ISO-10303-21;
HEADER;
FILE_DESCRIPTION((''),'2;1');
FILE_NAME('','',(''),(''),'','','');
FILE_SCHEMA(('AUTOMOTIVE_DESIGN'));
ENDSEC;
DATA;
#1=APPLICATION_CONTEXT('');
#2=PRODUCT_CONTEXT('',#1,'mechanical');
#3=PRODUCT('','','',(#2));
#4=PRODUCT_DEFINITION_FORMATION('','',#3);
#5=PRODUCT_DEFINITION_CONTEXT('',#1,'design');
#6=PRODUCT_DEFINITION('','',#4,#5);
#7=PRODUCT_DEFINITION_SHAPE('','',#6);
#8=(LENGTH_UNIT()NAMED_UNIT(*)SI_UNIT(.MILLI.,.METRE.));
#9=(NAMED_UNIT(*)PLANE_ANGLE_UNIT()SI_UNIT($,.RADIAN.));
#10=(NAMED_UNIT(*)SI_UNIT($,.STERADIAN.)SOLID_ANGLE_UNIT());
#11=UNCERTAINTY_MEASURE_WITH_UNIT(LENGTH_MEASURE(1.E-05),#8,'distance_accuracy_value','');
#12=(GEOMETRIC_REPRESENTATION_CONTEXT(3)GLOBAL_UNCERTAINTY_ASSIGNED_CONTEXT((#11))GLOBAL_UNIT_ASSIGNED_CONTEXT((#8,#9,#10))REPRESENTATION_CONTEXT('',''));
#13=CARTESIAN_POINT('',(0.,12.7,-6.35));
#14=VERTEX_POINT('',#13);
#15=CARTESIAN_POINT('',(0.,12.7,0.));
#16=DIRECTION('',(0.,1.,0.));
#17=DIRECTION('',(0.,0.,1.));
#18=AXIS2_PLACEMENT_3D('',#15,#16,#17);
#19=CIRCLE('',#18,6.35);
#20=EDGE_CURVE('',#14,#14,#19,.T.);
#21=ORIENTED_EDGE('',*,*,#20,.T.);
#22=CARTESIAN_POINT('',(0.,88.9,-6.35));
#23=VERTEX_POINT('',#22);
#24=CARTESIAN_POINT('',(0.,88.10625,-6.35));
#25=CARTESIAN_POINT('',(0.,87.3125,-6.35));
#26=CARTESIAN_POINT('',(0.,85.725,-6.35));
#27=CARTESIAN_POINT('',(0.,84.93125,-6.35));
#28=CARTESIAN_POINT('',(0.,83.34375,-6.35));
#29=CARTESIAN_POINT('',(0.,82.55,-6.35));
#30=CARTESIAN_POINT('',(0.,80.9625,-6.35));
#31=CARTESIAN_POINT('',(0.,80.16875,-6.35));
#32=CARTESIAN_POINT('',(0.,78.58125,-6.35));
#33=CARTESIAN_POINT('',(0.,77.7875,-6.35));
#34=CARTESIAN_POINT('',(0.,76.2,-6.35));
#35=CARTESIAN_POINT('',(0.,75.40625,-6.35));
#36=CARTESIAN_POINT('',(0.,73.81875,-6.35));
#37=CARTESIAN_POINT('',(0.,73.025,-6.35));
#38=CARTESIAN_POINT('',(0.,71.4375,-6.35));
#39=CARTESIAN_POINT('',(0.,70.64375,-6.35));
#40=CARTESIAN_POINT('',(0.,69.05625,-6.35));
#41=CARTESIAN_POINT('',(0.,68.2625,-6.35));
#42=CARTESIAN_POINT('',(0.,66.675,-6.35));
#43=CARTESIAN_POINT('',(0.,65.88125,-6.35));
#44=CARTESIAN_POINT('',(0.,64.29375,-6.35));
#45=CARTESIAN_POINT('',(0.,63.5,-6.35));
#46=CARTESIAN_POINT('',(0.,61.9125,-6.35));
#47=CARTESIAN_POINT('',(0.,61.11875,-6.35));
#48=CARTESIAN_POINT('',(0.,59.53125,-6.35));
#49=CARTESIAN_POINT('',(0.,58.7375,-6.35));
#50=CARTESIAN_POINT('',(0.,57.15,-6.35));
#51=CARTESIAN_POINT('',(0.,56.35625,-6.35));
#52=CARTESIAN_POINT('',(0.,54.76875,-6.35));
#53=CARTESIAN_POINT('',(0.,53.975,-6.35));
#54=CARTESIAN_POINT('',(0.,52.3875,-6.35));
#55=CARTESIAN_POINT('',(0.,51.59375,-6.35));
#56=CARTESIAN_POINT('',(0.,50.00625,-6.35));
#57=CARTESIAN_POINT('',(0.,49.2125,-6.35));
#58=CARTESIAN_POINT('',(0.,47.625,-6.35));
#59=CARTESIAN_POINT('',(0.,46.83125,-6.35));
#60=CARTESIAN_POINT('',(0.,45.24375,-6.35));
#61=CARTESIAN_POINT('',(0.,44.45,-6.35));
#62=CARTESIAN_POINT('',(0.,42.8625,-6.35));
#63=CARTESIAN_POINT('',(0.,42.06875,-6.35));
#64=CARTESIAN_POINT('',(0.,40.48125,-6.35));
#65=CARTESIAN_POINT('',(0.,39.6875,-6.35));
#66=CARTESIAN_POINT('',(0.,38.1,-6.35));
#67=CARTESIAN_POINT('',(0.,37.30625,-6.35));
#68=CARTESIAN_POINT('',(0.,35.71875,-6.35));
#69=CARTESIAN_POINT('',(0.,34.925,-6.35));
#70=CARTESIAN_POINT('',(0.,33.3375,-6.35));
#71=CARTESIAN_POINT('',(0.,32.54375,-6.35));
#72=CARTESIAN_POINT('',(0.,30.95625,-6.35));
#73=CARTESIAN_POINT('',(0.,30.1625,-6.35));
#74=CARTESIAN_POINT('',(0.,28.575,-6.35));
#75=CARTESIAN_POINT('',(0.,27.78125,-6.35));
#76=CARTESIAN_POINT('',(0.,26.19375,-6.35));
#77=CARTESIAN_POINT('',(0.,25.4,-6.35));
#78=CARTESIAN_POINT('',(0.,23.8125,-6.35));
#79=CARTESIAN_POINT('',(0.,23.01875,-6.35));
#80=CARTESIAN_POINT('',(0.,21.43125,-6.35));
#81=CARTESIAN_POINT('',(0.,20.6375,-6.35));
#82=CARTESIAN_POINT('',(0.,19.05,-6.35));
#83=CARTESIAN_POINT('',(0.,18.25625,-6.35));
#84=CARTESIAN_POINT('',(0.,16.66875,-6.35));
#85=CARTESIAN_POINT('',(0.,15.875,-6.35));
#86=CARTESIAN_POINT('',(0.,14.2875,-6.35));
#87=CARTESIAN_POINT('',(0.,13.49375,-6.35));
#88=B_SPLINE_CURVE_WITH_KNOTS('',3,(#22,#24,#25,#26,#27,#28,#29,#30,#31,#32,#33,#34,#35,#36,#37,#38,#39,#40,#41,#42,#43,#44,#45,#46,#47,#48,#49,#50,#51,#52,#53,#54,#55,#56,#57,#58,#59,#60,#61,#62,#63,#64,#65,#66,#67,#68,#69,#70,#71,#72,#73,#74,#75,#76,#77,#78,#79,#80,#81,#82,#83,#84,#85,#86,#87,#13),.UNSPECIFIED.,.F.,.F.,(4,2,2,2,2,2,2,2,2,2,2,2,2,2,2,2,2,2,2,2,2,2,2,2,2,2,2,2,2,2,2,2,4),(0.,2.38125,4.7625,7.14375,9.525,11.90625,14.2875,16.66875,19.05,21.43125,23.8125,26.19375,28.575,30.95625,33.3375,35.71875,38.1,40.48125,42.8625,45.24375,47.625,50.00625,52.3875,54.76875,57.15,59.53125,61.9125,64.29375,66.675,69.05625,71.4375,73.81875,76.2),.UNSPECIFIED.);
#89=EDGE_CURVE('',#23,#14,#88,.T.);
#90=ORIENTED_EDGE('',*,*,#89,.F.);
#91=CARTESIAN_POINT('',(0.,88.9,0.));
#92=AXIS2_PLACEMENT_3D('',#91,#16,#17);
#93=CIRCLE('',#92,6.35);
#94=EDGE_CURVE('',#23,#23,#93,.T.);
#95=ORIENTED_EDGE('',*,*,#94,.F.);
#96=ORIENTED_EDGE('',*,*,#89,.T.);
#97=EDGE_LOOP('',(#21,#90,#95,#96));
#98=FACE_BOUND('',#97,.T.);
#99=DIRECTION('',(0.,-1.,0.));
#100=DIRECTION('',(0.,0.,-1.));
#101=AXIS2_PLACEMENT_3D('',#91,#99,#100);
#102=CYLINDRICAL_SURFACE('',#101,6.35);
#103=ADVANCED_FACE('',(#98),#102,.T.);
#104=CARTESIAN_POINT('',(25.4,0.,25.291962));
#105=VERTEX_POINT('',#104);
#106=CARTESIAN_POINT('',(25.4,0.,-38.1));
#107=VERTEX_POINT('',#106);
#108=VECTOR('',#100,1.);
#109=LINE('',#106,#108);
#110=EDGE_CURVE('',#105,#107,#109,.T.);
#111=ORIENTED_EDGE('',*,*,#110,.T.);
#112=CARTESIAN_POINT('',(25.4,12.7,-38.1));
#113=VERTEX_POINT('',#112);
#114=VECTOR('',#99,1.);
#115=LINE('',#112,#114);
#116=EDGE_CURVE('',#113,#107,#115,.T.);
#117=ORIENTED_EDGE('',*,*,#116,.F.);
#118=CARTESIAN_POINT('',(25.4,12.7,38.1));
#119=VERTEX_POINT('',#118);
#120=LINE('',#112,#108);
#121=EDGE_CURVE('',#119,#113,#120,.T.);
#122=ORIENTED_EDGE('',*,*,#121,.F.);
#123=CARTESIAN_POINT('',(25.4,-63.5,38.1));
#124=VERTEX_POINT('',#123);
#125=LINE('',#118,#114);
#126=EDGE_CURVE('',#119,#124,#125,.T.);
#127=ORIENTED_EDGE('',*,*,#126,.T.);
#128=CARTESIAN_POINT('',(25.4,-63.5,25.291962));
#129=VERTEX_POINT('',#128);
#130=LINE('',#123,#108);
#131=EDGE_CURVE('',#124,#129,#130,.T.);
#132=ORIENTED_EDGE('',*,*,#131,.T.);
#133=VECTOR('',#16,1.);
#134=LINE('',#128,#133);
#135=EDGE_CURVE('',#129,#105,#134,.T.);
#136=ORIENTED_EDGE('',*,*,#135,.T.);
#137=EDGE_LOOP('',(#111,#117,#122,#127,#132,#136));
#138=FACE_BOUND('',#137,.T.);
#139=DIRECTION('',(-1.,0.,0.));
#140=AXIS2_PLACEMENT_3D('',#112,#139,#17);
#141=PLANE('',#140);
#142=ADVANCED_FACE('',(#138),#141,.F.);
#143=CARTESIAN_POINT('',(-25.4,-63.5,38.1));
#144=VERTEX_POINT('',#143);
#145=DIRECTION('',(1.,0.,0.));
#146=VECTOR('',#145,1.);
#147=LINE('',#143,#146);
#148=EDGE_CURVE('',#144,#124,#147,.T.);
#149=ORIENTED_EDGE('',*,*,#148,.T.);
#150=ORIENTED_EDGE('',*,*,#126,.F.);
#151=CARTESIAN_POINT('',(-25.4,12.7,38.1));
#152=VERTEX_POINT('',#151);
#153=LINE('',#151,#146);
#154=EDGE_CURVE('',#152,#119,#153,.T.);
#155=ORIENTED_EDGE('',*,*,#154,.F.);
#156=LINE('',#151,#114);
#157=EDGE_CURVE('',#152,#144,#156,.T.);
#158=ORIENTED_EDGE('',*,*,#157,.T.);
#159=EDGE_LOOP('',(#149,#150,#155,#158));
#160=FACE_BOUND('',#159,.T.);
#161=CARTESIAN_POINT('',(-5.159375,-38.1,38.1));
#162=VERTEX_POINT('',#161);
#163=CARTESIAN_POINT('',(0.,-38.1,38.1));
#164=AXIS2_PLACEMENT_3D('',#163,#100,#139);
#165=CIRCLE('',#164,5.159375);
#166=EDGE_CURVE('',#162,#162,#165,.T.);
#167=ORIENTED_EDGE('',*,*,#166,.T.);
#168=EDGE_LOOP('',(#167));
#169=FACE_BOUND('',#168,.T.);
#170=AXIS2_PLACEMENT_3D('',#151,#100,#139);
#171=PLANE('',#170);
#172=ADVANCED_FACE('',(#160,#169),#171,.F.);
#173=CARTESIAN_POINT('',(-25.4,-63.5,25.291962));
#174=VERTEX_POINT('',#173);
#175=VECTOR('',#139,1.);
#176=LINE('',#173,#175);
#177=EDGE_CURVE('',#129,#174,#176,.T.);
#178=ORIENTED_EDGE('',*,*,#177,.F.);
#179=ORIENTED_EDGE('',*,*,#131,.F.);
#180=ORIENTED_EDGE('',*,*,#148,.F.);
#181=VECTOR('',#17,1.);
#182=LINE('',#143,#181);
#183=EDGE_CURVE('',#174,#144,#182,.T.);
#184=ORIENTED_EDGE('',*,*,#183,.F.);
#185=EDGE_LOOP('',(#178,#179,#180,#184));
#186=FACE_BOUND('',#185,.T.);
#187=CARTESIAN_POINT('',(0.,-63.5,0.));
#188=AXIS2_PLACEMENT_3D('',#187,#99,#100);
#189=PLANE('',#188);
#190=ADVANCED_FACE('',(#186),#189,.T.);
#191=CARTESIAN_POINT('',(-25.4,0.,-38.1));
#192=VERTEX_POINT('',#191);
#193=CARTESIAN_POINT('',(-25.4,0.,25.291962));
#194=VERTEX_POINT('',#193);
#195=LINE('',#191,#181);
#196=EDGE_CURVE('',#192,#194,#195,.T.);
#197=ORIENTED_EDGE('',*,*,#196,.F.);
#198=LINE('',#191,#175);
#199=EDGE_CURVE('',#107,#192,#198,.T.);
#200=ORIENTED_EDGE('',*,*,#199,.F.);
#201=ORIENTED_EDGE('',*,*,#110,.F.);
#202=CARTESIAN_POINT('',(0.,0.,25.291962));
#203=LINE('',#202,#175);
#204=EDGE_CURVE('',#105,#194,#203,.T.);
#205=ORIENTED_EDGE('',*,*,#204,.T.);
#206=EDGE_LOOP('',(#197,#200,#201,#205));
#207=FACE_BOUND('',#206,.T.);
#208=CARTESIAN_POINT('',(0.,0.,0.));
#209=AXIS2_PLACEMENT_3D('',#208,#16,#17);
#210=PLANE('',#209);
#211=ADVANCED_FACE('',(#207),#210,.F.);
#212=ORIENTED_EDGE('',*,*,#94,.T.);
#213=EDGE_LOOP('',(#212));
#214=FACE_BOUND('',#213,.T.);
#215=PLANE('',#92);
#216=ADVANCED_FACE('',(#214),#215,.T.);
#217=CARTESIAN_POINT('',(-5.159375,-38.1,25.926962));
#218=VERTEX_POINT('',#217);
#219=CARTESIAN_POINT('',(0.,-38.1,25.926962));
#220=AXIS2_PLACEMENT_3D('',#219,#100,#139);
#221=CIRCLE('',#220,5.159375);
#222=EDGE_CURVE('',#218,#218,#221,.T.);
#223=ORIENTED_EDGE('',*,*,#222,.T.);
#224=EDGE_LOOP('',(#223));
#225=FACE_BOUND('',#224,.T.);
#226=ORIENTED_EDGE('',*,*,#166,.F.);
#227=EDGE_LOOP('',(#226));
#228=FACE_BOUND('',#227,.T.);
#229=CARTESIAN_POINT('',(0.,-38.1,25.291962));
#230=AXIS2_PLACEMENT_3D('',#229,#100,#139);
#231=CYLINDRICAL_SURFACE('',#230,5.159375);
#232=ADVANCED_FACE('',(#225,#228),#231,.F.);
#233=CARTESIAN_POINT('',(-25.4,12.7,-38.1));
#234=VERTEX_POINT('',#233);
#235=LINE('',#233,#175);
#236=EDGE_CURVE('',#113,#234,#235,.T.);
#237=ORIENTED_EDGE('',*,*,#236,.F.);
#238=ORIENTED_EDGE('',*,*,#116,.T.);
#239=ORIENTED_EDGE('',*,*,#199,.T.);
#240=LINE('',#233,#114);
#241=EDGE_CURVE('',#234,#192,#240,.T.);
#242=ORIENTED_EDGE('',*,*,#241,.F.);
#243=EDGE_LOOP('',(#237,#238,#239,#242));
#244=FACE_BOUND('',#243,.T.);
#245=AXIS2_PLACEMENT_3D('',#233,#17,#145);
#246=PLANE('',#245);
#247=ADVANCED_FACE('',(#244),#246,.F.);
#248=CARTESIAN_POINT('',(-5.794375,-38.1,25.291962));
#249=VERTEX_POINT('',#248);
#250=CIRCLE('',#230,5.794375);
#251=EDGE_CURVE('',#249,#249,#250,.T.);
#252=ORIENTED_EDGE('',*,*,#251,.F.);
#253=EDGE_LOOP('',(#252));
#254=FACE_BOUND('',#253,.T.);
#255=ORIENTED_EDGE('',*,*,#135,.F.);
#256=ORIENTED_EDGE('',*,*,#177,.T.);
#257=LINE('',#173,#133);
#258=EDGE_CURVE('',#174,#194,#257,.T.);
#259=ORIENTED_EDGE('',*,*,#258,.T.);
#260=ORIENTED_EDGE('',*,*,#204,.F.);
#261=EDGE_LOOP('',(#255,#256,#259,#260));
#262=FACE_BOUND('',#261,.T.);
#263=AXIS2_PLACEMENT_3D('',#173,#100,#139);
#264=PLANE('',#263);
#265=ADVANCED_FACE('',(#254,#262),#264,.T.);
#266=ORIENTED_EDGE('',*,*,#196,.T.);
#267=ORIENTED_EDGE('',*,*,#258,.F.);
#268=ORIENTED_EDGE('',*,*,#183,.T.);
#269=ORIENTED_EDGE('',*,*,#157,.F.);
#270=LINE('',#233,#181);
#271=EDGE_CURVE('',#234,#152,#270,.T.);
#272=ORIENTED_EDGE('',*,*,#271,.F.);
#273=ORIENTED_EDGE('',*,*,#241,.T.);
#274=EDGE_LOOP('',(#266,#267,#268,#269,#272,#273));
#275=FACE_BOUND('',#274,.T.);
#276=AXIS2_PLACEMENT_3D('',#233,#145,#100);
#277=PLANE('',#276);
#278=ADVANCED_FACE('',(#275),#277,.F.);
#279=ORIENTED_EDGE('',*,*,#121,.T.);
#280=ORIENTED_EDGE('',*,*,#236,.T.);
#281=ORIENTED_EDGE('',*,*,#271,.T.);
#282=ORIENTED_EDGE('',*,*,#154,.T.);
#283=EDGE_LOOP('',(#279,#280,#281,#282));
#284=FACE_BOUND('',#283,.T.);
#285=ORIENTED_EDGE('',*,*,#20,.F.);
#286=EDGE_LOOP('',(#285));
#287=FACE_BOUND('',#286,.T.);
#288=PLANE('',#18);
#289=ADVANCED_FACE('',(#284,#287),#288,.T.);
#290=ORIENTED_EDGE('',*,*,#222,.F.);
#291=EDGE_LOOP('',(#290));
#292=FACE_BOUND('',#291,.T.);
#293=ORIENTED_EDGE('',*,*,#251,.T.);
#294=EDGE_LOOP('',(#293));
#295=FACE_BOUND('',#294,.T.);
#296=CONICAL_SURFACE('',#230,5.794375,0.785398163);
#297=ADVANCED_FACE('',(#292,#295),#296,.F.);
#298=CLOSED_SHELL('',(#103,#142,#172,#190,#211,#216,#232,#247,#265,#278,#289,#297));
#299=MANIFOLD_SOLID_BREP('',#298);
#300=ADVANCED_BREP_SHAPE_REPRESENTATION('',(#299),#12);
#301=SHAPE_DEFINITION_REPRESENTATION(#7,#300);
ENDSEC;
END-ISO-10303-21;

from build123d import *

# Parameters (mm, degrees)
SKETCH1_W                                  = 50.8
SKETCH1_H                                  = 76.2
BOSS_EXTRUDE1_DEPTH                        = 12.7
SKETCH2_R                                  = 6.35
BOSS_EXTRUDE2_DEPTH                        = 76.2
SKETCH4_W                                  = 50.8
SKETCH4_H                                  = 12.808038323
BOSS_EXTRUDE3_DEPTH                        = 76.2
F_13_32_0_40625_DIAMETER_HOLE1_D           = 10.31875
F_13_32_0_40625_DIAMETER_HOLE1_CSINK_D     = 11.58875
F_13_32_0_40625_DIAMETER_HOLE1_CSINK_ANGLE = 90


with BuildPart() as part:
    # Sketch1 → Boss-Extrude1 (new body)
    with BuildSketch(Plane(origin=(0, 0, 0), x_dir=(1, 0, 0), z_dir=(0, 1, 0))):
        Rectangle(SKETCH1_W, SKETCH1_H)
    extrude(amount=BOSS_EXTRUDE1_DEPTH)

    # Sketch2 → Boss-Extrude2 (add)
    with BuildSketch(Plane(origin=(0, 12.7, 0), x_dir=(1, 0, 0), z_dir=(0, 1, 0))):
        with Locations(Location((0, 0, 0), (0, 0, 90))):
            Circle(SKETCH2_R)
    extrude(amount=BOSS_EXTRUDE2_DEPTH)

    # Sketch4 → Boss-Extrude3 (add)
    with BuildSketch(Plane(origin=(0, 12.7, 0), x_dir=(1, 0, 0), z_dir=(0, 1, 0))):
        with Locations((0, -31.695980839)):
            Rectangle(SKETCH4_W, SKETCH4_H)
    extrude(amount=-BOSS_EXTRUDE3_DEPTH)

    # 13/32 (0.40625) Diameter Hole1 (through all)
    with Locations(Plane(origin=(0, 0, 25.291961677), x_dir=(-1, 0, 0), z_dir=(0, 0, -1))):
        with Locations((0, -38.1)):
            CounterSinkHole(F_13_32_0_40625_DIAMETER_HOLE1_D / 2, F_13_32_0_40625_DIAMETER_HOLE1_CSINK_D / 2, counter_sink_angle=F_13_32_0_40625_DIAMETER_HOLE1_CSINK_ANGLE)


solid = part.part
